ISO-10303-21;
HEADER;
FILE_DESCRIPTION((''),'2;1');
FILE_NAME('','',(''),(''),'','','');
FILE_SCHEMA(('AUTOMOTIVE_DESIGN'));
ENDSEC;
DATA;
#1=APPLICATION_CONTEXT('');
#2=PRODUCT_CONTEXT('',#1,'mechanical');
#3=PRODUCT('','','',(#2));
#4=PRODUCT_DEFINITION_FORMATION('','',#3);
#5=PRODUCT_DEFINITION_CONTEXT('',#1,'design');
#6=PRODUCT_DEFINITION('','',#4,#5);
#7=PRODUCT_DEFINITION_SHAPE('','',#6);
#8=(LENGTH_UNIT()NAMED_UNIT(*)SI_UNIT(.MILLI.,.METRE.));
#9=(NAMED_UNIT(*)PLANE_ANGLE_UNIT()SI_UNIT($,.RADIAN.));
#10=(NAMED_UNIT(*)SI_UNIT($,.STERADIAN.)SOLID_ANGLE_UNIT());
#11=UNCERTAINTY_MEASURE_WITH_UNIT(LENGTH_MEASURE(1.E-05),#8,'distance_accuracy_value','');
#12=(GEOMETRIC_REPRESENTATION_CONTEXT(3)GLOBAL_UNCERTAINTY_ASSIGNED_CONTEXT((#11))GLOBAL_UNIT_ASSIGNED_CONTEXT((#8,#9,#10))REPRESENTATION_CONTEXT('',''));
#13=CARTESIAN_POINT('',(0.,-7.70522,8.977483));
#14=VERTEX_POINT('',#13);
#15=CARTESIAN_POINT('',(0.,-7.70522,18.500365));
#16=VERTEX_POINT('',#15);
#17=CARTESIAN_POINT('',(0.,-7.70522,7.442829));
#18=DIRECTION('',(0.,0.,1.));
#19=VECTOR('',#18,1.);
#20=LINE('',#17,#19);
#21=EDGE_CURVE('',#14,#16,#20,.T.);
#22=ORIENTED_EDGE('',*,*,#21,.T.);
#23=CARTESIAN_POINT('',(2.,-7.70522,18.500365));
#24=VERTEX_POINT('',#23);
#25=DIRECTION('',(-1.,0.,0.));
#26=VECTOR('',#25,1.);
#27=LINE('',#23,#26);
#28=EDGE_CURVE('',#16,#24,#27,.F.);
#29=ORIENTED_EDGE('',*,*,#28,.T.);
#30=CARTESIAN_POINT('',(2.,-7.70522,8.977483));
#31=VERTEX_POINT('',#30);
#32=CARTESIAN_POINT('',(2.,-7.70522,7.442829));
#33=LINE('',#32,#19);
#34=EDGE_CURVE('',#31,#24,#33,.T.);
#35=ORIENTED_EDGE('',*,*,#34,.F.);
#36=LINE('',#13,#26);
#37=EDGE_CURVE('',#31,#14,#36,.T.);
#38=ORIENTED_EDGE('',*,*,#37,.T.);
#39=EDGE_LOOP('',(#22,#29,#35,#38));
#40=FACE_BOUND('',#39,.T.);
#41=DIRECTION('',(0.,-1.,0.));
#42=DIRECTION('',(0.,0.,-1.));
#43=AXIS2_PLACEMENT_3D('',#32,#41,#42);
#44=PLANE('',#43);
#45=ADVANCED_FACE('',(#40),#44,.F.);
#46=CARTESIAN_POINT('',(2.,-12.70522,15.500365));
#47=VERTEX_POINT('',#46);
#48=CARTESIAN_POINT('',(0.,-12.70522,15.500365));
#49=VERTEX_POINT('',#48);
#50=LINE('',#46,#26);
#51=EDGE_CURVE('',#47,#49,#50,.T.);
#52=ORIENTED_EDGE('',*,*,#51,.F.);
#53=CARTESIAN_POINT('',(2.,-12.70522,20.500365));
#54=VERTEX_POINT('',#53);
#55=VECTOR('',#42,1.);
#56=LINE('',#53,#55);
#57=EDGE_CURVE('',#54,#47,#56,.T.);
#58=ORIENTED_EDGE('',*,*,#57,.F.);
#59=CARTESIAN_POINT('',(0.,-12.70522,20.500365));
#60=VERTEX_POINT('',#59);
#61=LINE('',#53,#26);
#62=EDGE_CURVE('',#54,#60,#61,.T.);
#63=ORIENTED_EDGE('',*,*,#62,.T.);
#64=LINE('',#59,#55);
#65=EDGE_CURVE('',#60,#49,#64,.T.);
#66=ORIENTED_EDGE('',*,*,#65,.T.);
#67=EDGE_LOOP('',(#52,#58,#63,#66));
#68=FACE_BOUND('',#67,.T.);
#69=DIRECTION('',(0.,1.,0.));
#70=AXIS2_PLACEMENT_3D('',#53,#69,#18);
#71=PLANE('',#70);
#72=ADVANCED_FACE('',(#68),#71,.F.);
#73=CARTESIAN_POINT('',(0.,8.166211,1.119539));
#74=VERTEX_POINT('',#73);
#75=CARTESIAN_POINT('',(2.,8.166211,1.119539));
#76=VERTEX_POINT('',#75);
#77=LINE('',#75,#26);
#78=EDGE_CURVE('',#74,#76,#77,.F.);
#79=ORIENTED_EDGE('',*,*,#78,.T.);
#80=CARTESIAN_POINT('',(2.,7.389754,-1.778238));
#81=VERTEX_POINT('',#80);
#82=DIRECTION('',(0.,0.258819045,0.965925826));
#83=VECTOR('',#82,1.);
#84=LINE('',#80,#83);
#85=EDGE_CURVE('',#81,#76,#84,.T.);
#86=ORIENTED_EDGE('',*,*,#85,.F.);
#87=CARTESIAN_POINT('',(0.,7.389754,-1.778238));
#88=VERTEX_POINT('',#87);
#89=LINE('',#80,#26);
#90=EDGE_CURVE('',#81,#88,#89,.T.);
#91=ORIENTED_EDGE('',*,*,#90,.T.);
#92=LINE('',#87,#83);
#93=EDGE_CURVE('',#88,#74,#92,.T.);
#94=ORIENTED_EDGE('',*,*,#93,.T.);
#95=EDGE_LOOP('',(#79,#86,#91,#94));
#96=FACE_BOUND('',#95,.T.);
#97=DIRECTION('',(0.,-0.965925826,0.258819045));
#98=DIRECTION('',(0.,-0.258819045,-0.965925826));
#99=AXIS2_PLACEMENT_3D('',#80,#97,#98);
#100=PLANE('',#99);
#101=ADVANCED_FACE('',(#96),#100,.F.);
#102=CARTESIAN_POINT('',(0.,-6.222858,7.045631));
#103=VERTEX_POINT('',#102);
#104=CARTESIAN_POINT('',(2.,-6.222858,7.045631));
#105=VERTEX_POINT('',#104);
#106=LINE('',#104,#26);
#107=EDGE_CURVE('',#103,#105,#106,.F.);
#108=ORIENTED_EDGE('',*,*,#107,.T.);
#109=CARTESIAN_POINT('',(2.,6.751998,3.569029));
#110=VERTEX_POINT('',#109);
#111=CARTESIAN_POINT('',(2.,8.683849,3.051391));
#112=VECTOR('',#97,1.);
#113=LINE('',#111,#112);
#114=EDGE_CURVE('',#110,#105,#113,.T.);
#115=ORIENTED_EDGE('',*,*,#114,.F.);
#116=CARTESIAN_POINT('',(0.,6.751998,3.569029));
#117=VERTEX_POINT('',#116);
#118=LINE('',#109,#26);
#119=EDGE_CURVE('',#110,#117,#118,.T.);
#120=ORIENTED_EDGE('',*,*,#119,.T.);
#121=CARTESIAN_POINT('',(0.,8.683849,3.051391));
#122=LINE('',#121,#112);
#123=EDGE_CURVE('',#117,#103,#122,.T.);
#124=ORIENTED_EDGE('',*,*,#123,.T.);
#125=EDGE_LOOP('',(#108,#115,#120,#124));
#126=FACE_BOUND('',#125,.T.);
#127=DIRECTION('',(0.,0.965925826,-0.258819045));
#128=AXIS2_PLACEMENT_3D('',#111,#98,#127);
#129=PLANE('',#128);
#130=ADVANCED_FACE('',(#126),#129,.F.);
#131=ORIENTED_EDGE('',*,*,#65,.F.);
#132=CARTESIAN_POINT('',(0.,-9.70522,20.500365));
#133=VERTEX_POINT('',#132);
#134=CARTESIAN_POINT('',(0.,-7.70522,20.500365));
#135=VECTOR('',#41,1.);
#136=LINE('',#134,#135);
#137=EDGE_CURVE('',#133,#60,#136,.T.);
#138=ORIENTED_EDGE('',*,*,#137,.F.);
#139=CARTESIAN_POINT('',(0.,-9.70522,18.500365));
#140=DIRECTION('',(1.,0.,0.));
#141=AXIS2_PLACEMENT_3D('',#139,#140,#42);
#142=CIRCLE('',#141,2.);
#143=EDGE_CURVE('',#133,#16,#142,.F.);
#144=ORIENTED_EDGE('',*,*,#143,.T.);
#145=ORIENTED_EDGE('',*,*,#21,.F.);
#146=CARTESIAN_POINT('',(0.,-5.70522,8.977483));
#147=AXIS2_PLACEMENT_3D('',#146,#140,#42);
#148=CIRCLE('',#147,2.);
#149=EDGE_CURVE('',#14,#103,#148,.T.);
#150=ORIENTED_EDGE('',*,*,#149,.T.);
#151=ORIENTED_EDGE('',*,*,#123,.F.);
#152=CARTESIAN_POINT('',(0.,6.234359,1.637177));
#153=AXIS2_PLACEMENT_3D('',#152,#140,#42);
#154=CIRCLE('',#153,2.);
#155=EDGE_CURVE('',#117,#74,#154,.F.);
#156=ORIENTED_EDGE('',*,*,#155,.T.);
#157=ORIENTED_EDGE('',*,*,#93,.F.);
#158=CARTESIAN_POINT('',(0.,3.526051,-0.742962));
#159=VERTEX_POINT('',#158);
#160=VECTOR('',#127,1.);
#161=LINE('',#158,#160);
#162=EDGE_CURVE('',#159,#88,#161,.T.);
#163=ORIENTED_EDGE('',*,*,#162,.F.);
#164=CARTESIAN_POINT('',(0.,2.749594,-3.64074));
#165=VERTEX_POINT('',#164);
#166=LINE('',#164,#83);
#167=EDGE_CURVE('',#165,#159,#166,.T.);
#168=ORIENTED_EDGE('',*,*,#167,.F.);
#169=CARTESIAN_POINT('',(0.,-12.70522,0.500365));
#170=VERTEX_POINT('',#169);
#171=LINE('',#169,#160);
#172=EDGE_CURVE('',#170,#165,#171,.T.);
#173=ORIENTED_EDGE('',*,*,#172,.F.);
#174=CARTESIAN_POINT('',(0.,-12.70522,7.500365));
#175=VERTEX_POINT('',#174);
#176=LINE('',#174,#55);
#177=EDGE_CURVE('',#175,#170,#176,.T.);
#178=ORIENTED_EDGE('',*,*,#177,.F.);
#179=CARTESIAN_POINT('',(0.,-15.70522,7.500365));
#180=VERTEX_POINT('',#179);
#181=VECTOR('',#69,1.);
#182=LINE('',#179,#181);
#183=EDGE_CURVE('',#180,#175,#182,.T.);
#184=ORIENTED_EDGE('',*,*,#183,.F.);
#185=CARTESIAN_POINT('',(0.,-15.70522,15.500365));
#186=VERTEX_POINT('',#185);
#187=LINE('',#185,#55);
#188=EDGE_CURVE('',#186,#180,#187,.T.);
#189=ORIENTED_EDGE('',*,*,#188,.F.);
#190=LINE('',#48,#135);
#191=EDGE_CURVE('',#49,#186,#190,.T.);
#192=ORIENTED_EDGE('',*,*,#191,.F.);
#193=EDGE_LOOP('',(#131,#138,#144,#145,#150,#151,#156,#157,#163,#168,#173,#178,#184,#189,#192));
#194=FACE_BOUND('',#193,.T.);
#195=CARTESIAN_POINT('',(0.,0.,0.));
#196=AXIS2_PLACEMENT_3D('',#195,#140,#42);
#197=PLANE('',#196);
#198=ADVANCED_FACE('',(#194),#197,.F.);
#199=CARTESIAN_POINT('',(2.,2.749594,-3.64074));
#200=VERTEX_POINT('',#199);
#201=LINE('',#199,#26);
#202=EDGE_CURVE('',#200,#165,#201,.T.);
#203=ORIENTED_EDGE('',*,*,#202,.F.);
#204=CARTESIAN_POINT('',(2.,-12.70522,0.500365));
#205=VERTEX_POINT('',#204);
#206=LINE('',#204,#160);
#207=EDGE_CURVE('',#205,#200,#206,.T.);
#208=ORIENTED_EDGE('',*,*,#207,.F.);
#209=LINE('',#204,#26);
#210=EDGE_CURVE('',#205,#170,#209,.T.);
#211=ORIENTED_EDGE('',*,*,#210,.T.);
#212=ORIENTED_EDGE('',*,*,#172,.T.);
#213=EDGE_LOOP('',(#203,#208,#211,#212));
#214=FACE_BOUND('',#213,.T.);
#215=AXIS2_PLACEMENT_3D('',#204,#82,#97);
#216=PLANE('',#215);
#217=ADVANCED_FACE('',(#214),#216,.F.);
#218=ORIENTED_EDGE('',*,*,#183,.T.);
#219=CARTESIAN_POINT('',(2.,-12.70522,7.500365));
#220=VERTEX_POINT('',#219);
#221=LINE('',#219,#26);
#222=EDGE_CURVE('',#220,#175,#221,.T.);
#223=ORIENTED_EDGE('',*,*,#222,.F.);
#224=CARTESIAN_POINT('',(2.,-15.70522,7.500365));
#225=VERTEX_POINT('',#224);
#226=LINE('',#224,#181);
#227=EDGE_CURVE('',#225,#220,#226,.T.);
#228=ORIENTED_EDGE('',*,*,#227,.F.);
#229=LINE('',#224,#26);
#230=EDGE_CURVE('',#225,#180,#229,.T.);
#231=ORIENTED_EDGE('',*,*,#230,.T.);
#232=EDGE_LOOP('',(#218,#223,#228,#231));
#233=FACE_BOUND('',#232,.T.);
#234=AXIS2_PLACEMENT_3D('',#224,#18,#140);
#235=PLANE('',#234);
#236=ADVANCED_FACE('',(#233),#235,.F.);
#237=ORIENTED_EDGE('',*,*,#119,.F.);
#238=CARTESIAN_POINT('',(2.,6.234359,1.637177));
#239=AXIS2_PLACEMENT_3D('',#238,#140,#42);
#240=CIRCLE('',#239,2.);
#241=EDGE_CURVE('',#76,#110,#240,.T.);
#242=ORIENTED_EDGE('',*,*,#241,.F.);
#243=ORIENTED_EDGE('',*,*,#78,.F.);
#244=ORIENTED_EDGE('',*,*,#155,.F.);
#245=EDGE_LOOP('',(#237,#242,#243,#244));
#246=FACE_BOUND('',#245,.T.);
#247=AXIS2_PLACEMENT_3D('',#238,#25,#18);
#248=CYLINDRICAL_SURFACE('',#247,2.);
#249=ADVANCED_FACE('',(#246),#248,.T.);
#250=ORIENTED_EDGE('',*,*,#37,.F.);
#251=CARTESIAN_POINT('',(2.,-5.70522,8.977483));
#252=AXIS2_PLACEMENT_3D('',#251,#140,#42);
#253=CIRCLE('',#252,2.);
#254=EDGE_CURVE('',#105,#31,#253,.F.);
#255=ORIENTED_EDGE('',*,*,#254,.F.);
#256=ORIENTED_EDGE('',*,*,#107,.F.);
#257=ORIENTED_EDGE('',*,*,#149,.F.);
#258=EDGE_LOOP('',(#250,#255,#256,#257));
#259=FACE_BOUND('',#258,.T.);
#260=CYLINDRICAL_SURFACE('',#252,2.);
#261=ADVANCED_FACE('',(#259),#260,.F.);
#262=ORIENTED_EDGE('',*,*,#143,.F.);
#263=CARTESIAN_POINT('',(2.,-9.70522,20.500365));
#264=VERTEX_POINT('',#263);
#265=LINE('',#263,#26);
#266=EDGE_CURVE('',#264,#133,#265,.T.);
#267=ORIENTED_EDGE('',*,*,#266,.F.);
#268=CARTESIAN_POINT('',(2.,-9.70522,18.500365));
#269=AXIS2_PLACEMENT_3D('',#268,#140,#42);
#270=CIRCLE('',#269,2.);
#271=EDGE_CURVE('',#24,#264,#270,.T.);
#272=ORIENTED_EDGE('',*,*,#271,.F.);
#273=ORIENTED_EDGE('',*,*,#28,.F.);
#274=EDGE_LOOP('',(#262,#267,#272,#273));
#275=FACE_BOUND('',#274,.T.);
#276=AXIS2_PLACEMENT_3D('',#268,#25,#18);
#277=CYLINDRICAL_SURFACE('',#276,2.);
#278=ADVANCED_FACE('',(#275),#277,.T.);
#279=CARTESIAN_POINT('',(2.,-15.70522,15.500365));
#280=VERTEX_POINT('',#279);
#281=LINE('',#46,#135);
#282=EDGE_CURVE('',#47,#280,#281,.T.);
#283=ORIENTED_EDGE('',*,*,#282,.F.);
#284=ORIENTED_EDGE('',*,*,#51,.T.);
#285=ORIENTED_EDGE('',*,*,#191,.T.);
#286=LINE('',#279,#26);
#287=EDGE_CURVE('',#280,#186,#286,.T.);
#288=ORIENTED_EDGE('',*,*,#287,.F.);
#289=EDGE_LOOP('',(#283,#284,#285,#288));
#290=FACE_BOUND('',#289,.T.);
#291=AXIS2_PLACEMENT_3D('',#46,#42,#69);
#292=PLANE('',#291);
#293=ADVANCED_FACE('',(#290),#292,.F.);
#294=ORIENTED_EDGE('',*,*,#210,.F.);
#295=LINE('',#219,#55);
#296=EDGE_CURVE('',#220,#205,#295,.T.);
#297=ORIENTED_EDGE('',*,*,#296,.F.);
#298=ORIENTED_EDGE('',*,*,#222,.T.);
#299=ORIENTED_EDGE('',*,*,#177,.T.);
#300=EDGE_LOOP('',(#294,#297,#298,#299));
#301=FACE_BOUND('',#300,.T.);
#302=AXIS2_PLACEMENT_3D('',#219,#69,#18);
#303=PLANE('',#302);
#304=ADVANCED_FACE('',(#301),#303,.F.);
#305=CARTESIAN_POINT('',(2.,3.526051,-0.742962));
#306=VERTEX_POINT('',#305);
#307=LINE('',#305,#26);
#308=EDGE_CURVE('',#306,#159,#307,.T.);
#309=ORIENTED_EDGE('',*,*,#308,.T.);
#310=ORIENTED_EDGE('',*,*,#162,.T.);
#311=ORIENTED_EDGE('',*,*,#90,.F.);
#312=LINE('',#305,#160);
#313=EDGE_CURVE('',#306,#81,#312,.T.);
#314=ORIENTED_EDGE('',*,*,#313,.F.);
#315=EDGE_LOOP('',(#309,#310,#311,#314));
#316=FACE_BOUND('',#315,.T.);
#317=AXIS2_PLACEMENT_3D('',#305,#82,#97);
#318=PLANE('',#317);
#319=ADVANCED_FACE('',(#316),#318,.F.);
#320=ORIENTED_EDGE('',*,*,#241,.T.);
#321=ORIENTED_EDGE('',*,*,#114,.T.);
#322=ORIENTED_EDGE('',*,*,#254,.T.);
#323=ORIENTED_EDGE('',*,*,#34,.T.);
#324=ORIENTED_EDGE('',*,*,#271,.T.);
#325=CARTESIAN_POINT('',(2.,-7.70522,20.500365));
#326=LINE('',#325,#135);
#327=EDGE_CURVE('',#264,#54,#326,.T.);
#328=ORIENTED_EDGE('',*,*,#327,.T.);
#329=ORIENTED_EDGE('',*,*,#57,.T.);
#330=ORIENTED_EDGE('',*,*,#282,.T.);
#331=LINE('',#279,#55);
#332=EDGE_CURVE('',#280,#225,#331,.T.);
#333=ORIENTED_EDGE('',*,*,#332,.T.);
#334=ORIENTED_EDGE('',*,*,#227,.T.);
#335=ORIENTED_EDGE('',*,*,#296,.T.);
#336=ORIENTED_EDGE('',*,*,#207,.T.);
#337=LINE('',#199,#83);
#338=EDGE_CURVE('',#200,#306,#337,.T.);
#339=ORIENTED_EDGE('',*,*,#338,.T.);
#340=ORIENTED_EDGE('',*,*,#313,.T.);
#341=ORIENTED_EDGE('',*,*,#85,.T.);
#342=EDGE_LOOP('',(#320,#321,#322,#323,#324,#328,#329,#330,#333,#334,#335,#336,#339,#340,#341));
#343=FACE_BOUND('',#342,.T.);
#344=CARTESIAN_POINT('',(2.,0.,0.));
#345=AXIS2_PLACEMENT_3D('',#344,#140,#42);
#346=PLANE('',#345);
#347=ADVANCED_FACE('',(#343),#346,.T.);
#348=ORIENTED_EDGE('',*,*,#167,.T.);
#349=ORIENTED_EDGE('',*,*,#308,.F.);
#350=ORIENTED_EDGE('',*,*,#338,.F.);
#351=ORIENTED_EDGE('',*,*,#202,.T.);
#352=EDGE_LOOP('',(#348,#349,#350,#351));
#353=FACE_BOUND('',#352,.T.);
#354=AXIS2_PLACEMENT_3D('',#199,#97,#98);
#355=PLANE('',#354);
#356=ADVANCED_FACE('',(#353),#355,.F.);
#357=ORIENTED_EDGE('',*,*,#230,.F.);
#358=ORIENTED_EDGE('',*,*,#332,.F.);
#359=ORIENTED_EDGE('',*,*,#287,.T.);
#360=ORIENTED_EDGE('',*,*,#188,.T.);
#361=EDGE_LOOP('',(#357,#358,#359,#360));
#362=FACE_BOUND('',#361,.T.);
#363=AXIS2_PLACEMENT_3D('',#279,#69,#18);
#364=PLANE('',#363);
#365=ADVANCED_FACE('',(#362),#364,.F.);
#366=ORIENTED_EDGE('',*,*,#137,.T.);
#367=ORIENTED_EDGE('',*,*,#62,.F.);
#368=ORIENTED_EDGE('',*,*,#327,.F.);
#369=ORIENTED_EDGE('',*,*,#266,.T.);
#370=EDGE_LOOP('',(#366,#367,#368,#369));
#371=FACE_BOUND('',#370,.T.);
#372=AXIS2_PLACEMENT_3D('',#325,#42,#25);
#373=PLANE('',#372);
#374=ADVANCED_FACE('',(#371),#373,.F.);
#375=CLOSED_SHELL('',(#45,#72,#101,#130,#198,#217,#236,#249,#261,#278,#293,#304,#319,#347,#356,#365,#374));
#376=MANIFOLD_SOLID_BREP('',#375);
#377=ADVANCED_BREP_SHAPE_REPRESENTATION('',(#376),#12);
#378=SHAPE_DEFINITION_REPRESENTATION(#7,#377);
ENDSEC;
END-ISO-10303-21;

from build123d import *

# Parameters (mm, degrees)
BOSS_EXTRU_1_DEPTH = 2
CONG_1_R           = 2


with BuildPart() as part:
    # Esquisse1 → Boss.-Extru.1 (new body)
    with BuildSketch(Plane(origin=(0, 0, 0), x_dir=(0, 0, -1), z_dir=(1, 0, 0))):
        Polygon((-20.500365221, -12.705219678), (-15.500365221, -12.705219678), (-15.500365221, -15.705219678), (-7.500365221, -15.705219678), (-7.500365221, -12.705219678), (-0.500365221, -12.705219678), (3.6407395, 2.749593542), (0.742962022, 3.526050678), (1.778238202, 7.389753983), (-3.051390929, 8.683849208), (-7.442828702, -7.705219678), (-20.500365221, -7.705219678), align=None)
    extrude(amount=BOSS_EXTRU_1_DEPTH)

    # Congé1
    cong_1_edges = [part.edges().sort_by_distance(p)[0] for p in [
        (1, -7.705219678, 20.500365221),
        (1, -7.705219678, 7.442828702),
        (1, 8.683849208, 3.051390929),
    ]]
    fillet(cong_1_edges, radius=CONG_1_R)


solid = part.part
